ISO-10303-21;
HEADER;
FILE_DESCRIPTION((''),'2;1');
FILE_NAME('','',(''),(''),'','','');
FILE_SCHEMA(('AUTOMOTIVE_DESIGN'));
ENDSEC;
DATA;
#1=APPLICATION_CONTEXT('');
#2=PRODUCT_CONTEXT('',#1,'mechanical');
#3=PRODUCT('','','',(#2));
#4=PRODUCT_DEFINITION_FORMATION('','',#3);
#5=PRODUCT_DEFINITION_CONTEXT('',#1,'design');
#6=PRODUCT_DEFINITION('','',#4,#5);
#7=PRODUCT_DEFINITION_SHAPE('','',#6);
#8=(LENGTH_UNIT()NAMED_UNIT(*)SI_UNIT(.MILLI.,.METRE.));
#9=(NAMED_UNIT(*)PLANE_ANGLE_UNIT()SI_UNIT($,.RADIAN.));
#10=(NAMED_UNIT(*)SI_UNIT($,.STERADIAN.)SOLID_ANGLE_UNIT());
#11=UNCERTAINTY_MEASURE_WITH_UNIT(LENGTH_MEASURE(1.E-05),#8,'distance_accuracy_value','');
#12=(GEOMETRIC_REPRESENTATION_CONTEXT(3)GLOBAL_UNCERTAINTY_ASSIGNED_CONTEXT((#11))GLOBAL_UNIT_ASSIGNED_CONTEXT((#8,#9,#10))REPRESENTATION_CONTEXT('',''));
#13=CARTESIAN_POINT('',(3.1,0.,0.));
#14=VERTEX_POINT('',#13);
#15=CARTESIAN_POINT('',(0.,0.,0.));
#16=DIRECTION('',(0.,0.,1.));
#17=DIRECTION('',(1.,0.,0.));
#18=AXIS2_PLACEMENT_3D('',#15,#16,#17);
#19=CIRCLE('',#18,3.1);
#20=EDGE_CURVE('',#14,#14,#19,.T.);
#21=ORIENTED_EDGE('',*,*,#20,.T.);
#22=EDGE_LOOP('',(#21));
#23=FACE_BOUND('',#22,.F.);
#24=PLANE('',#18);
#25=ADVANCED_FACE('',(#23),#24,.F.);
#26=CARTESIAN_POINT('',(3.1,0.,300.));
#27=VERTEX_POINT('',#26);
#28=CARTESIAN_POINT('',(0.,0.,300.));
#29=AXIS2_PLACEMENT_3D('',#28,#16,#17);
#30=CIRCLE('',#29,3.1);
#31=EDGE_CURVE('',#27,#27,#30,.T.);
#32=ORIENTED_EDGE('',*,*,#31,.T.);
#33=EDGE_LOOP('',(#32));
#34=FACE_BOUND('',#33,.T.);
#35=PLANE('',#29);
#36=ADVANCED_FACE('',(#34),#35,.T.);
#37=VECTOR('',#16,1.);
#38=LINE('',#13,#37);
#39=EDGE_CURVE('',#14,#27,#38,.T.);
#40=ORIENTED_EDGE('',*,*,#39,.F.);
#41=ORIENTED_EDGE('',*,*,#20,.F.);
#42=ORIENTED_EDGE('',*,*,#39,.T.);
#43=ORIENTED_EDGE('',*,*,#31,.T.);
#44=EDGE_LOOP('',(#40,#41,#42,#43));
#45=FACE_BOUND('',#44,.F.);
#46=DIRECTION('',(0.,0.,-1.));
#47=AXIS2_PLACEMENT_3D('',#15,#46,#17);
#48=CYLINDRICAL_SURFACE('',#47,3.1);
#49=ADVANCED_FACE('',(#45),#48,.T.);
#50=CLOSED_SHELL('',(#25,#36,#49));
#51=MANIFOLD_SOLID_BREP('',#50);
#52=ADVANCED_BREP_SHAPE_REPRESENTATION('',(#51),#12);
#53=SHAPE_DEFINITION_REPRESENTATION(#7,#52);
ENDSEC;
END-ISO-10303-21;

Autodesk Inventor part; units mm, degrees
ref_plane "YZ Plane" through (0, 0, 0) normal (1, 0, 0) x (0, 1, 0)
ref_plane "XZ Plane" through (0, 0, 0) normal (0, 1, 0) x (-1, 0, 0)
ref_plane "XY Plane" through (0, 0, 0) normal (0, 0, 1) x (1, 0, 0)
sketch "Эскиз1" plane through (0, 0, 0) normal (0, 0, 1) x (1, 0, 0)
  circle A0 centre (0, 0) radius 3.1
  dimension "d0" = 6.2
extrude "Выдавливание1" add sketch "Эскиз1" along normal blind 300
properties part number "вал 25-26"
